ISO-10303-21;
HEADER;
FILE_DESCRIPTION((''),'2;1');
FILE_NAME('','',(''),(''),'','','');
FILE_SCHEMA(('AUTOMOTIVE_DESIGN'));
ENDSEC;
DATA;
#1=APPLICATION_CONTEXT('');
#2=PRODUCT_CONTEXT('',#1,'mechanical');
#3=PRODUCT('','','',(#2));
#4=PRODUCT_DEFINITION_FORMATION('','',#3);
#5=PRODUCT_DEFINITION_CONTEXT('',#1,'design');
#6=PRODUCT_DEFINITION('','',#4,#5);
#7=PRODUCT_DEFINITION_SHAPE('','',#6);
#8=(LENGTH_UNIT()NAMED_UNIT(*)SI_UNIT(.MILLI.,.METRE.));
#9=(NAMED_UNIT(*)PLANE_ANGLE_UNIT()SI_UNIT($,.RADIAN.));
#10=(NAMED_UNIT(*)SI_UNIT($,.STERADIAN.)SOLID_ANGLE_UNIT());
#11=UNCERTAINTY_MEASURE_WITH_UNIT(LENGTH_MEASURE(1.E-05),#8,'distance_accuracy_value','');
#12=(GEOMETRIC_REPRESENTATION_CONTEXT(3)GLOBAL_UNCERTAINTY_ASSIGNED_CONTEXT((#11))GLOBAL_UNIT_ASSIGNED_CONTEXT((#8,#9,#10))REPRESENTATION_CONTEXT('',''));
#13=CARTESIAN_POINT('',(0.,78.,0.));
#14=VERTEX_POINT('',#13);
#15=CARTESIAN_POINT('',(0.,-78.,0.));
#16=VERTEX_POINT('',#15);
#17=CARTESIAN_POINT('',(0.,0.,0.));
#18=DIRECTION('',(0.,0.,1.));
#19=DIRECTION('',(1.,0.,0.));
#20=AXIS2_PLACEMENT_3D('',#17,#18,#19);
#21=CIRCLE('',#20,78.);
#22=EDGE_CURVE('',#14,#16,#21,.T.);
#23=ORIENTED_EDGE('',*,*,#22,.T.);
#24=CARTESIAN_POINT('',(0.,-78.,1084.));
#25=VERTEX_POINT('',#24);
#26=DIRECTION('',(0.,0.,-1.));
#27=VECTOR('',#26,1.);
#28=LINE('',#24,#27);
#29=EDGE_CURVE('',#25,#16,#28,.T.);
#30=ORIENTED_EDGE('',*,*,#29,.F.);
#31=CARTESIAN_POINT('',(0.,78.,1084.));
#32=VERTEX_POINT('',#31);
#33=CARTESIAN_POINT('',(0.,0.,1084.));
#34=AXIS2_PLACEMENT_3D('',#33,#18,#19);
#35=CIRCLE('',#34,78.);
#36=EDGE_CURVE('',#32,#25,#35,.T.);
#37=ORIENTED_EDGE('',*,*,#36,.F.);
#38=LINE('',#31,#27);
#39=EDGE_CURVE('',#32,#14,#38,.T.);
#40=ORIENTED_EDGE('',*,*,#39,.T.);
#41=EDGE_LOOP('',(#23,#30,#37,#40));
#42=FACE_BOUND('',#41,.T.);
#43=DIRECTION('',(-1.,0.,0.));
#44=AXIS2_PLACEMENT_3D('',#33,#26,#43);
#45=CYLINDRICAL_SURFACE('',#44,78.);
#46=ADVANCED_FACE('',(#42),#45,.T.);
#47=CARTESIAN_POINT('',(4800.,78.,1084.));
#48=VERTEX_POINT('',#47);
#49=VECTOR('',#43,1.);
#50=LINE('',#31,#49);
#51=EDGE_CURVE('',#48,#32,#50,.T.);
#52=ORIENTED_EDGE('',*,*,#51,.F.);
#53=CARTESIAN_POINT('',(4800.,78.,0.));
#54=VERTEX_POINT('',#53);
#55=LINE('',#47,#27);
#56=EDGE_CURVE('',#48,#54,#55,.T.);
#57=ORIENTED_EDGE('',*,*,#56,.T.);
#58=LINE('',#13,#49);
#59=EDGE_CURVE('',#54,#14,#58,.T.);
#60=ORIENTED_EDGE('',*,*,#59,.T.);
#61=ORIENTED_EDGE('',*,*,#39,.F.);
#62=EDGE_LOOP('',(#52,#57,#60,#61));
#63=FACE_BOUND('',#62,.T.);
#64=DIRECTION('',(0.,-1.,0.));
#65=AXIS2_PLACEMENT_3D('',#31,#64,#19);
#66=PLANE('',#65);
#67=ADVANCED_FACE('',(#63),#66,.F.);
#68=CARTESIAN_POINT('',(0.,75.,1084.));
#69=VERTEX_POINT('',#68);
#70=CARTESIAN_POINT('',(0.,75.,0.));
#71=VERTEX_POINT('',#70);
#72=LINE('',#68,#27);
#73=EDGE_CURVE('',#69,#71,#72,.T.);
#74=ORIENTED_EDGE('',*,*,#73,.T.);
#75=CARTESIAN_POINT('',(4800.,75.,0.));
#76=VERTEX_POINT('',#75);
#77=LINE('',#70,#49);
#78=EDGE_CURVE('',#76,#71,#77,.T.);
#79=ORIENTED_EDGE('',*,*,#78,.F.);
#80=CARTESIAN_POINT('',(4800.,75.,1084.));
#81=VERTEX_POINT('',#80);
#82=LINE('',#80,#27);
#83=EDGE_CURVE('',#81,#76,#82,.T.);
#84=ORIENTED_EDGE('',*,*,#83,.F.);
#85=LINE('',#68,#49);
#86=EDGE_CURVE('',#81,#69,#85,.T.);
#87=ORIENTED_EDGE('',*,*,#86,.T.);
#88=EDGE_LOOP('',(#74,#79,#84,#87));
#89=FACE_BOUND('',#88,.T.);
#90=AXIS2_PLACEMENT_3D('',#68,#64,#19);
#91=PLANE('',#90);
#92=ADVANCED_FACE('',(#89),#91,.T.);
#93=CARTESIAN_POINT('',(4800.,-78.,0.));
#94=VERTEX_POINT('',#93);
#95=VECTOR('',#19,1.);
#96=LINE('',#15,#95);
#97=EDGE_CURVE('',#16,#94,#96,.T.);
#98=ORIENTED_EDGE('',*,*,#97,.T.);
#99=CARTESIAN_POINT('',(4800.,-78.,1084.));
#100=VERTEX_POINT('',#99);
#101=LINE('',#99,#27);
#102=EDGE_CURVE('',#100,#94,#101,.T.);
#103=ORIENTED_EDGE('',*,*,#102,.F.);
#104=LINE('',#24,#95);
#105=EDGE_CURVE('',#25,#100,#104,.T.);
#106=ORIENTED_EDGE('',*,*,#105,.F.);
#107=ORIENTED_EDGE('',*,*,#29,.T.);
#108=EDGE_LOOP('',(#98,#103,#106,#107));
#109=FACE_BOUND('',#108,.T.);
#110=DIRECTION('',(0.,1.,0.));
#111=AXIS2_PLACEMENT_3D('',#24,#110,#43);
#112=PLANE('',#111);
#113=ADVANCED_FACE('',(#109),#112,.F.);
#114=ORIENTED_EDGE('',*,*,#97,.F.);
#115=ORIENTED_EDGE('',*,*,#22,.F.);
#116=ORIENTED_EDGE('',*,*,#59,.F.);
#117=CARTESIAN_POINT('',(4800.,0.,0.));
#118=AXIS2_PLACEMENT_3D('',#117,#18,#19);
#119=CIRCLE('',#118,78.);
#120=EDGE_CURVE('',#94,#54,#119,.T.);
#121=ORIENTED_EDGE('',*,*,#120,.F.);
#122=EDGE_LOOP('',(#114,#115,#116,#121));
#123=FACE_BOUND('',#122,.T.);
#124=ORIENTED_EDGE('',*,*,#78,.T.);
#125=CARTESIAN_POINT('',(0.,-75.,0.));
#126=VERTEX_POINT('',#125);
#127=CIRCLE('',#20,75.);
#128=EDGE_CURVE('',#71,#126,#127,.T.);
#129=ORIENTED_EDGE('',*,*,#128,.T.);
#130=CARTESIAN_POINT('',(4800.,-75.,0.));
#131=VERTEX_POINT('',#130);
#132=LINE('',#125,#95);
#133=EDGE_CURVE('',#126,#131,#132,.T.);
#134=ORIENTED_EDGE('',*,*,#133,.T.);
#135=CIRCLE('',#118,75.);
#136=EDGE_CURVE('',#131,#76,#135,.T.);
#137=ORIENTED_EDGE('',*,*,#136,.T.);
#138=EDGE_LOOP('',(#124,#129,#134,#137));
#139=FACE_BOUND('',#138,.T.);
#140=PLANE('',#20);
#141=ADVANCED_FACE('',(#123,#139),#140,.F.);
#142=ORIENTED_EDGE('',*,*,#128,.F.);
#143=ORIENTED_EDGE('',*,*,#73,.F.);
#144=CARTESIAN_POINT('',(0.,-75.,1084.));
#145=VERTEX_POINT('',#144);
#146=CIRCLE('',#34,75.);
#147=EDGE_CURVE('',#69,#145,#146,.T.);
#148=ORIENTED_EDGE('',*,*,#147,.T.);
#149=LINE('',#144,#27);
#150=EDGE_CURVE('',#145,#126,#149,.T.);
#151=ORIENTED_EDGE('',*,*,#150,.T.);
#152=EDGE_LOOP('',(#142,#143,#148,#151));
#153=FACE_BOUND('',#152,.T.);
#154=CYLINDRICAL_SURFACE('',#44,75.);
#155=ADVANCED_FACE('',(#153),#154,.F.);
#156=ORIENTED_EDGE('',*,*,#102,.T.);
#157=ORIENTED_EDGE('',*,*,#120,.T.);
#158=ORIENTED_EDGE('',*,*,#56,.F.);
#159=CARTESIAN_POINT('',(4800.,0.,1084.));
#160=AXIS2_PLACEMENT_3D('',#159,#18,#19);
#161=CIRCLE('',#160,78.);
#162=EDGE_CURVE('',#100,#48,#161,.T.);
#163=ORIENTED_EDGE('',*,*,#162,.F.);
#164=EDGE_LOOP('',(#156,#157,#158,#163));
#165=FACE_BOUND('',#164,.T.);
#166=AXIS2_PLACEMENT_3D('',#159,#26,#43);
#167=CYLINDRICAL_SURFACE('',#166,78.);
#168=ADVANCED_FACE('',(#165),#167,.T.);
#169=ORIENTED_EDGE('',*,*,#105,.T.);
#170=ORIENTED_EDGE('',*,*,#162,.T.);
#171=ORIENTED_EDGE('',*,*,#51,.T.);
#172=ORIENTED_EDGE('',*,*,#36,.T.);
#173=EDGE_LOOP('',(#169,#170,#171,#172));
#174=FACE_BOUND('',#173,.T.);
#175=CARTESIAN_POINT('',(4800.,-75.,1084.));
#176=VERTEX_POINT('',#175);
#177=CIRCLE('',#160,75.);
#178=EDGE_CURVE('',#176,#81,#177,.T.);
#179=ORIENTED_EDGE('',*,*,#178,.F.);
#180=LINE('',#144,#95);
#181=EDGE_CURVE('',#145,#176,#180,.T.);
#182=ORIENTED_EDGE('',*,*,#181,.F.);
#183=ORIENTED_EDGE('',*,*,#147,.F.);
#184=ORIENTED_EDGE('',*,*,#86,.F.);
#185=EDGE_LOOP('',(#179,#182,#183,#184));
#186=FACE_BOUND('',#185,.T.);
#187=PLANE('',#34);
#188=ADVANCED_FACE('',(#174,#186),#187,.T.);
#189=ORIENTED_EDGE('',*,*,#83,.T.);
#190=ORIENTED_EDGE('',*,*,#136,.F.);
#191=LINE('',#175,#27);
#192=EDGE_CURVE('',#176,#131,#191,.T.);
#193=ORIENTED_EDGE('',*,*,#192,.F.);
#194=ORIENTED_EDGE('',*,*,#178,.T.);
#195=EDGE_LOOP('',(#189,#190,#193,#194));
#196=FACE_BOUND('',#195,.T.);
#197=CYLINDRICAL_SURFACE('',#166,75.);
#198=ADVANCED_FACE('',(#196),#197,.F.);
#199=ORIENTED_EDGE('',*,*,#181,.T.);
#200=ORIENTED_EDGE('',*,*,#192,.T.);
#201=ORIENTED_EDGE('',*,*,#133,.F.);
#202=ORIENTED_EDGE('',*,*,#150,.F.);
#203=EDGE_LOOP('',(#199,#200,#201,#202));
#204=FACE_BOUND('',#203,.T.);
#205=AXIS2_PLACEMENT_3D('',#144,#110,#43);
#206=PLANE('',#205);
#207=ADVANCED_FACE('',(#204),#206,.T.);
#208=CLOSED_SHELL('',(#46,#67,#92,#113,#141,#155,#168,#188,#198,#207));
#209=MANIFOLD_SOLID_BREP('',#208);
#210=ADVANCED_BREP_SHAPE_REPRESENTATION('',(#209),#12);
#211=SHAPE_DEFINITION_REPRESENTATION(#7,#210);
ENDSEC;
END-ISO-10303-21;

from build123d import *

# Parameters (mm, degrees)
EKSTR_ZYON_NCE1_DEPTH = 1084


with BuildPart() as part:
    # Çizim1 → Ekstrüzyon-İnce1 (new body)
    with BuildSketch(Plane.XY):
        with BuildLine():
            Line((4800, -78), (0, -78))
            ThreePointArc((0, -78), (-78, 0), (0, 78))
            Line((0, 78), (4800, 78))
            ThreePointArc((4800, 78), (4878, 0), (4800, -78))
        make_face()
        with BuildLine():
            Line((4800, -75), (0, -75))
            ThreePointArc((0, -75), (-75, 0), (0, 75))
            Line((0, 75), (4800, 75))
            ThreePointArc((4800, 75), (4875, 0), (4800, -75))
        make_face(mode=Mode.SUBTRACT)
    extrude(amount=EKSTR_ZYON_NCE1_DEPTH)


solid = part.part
